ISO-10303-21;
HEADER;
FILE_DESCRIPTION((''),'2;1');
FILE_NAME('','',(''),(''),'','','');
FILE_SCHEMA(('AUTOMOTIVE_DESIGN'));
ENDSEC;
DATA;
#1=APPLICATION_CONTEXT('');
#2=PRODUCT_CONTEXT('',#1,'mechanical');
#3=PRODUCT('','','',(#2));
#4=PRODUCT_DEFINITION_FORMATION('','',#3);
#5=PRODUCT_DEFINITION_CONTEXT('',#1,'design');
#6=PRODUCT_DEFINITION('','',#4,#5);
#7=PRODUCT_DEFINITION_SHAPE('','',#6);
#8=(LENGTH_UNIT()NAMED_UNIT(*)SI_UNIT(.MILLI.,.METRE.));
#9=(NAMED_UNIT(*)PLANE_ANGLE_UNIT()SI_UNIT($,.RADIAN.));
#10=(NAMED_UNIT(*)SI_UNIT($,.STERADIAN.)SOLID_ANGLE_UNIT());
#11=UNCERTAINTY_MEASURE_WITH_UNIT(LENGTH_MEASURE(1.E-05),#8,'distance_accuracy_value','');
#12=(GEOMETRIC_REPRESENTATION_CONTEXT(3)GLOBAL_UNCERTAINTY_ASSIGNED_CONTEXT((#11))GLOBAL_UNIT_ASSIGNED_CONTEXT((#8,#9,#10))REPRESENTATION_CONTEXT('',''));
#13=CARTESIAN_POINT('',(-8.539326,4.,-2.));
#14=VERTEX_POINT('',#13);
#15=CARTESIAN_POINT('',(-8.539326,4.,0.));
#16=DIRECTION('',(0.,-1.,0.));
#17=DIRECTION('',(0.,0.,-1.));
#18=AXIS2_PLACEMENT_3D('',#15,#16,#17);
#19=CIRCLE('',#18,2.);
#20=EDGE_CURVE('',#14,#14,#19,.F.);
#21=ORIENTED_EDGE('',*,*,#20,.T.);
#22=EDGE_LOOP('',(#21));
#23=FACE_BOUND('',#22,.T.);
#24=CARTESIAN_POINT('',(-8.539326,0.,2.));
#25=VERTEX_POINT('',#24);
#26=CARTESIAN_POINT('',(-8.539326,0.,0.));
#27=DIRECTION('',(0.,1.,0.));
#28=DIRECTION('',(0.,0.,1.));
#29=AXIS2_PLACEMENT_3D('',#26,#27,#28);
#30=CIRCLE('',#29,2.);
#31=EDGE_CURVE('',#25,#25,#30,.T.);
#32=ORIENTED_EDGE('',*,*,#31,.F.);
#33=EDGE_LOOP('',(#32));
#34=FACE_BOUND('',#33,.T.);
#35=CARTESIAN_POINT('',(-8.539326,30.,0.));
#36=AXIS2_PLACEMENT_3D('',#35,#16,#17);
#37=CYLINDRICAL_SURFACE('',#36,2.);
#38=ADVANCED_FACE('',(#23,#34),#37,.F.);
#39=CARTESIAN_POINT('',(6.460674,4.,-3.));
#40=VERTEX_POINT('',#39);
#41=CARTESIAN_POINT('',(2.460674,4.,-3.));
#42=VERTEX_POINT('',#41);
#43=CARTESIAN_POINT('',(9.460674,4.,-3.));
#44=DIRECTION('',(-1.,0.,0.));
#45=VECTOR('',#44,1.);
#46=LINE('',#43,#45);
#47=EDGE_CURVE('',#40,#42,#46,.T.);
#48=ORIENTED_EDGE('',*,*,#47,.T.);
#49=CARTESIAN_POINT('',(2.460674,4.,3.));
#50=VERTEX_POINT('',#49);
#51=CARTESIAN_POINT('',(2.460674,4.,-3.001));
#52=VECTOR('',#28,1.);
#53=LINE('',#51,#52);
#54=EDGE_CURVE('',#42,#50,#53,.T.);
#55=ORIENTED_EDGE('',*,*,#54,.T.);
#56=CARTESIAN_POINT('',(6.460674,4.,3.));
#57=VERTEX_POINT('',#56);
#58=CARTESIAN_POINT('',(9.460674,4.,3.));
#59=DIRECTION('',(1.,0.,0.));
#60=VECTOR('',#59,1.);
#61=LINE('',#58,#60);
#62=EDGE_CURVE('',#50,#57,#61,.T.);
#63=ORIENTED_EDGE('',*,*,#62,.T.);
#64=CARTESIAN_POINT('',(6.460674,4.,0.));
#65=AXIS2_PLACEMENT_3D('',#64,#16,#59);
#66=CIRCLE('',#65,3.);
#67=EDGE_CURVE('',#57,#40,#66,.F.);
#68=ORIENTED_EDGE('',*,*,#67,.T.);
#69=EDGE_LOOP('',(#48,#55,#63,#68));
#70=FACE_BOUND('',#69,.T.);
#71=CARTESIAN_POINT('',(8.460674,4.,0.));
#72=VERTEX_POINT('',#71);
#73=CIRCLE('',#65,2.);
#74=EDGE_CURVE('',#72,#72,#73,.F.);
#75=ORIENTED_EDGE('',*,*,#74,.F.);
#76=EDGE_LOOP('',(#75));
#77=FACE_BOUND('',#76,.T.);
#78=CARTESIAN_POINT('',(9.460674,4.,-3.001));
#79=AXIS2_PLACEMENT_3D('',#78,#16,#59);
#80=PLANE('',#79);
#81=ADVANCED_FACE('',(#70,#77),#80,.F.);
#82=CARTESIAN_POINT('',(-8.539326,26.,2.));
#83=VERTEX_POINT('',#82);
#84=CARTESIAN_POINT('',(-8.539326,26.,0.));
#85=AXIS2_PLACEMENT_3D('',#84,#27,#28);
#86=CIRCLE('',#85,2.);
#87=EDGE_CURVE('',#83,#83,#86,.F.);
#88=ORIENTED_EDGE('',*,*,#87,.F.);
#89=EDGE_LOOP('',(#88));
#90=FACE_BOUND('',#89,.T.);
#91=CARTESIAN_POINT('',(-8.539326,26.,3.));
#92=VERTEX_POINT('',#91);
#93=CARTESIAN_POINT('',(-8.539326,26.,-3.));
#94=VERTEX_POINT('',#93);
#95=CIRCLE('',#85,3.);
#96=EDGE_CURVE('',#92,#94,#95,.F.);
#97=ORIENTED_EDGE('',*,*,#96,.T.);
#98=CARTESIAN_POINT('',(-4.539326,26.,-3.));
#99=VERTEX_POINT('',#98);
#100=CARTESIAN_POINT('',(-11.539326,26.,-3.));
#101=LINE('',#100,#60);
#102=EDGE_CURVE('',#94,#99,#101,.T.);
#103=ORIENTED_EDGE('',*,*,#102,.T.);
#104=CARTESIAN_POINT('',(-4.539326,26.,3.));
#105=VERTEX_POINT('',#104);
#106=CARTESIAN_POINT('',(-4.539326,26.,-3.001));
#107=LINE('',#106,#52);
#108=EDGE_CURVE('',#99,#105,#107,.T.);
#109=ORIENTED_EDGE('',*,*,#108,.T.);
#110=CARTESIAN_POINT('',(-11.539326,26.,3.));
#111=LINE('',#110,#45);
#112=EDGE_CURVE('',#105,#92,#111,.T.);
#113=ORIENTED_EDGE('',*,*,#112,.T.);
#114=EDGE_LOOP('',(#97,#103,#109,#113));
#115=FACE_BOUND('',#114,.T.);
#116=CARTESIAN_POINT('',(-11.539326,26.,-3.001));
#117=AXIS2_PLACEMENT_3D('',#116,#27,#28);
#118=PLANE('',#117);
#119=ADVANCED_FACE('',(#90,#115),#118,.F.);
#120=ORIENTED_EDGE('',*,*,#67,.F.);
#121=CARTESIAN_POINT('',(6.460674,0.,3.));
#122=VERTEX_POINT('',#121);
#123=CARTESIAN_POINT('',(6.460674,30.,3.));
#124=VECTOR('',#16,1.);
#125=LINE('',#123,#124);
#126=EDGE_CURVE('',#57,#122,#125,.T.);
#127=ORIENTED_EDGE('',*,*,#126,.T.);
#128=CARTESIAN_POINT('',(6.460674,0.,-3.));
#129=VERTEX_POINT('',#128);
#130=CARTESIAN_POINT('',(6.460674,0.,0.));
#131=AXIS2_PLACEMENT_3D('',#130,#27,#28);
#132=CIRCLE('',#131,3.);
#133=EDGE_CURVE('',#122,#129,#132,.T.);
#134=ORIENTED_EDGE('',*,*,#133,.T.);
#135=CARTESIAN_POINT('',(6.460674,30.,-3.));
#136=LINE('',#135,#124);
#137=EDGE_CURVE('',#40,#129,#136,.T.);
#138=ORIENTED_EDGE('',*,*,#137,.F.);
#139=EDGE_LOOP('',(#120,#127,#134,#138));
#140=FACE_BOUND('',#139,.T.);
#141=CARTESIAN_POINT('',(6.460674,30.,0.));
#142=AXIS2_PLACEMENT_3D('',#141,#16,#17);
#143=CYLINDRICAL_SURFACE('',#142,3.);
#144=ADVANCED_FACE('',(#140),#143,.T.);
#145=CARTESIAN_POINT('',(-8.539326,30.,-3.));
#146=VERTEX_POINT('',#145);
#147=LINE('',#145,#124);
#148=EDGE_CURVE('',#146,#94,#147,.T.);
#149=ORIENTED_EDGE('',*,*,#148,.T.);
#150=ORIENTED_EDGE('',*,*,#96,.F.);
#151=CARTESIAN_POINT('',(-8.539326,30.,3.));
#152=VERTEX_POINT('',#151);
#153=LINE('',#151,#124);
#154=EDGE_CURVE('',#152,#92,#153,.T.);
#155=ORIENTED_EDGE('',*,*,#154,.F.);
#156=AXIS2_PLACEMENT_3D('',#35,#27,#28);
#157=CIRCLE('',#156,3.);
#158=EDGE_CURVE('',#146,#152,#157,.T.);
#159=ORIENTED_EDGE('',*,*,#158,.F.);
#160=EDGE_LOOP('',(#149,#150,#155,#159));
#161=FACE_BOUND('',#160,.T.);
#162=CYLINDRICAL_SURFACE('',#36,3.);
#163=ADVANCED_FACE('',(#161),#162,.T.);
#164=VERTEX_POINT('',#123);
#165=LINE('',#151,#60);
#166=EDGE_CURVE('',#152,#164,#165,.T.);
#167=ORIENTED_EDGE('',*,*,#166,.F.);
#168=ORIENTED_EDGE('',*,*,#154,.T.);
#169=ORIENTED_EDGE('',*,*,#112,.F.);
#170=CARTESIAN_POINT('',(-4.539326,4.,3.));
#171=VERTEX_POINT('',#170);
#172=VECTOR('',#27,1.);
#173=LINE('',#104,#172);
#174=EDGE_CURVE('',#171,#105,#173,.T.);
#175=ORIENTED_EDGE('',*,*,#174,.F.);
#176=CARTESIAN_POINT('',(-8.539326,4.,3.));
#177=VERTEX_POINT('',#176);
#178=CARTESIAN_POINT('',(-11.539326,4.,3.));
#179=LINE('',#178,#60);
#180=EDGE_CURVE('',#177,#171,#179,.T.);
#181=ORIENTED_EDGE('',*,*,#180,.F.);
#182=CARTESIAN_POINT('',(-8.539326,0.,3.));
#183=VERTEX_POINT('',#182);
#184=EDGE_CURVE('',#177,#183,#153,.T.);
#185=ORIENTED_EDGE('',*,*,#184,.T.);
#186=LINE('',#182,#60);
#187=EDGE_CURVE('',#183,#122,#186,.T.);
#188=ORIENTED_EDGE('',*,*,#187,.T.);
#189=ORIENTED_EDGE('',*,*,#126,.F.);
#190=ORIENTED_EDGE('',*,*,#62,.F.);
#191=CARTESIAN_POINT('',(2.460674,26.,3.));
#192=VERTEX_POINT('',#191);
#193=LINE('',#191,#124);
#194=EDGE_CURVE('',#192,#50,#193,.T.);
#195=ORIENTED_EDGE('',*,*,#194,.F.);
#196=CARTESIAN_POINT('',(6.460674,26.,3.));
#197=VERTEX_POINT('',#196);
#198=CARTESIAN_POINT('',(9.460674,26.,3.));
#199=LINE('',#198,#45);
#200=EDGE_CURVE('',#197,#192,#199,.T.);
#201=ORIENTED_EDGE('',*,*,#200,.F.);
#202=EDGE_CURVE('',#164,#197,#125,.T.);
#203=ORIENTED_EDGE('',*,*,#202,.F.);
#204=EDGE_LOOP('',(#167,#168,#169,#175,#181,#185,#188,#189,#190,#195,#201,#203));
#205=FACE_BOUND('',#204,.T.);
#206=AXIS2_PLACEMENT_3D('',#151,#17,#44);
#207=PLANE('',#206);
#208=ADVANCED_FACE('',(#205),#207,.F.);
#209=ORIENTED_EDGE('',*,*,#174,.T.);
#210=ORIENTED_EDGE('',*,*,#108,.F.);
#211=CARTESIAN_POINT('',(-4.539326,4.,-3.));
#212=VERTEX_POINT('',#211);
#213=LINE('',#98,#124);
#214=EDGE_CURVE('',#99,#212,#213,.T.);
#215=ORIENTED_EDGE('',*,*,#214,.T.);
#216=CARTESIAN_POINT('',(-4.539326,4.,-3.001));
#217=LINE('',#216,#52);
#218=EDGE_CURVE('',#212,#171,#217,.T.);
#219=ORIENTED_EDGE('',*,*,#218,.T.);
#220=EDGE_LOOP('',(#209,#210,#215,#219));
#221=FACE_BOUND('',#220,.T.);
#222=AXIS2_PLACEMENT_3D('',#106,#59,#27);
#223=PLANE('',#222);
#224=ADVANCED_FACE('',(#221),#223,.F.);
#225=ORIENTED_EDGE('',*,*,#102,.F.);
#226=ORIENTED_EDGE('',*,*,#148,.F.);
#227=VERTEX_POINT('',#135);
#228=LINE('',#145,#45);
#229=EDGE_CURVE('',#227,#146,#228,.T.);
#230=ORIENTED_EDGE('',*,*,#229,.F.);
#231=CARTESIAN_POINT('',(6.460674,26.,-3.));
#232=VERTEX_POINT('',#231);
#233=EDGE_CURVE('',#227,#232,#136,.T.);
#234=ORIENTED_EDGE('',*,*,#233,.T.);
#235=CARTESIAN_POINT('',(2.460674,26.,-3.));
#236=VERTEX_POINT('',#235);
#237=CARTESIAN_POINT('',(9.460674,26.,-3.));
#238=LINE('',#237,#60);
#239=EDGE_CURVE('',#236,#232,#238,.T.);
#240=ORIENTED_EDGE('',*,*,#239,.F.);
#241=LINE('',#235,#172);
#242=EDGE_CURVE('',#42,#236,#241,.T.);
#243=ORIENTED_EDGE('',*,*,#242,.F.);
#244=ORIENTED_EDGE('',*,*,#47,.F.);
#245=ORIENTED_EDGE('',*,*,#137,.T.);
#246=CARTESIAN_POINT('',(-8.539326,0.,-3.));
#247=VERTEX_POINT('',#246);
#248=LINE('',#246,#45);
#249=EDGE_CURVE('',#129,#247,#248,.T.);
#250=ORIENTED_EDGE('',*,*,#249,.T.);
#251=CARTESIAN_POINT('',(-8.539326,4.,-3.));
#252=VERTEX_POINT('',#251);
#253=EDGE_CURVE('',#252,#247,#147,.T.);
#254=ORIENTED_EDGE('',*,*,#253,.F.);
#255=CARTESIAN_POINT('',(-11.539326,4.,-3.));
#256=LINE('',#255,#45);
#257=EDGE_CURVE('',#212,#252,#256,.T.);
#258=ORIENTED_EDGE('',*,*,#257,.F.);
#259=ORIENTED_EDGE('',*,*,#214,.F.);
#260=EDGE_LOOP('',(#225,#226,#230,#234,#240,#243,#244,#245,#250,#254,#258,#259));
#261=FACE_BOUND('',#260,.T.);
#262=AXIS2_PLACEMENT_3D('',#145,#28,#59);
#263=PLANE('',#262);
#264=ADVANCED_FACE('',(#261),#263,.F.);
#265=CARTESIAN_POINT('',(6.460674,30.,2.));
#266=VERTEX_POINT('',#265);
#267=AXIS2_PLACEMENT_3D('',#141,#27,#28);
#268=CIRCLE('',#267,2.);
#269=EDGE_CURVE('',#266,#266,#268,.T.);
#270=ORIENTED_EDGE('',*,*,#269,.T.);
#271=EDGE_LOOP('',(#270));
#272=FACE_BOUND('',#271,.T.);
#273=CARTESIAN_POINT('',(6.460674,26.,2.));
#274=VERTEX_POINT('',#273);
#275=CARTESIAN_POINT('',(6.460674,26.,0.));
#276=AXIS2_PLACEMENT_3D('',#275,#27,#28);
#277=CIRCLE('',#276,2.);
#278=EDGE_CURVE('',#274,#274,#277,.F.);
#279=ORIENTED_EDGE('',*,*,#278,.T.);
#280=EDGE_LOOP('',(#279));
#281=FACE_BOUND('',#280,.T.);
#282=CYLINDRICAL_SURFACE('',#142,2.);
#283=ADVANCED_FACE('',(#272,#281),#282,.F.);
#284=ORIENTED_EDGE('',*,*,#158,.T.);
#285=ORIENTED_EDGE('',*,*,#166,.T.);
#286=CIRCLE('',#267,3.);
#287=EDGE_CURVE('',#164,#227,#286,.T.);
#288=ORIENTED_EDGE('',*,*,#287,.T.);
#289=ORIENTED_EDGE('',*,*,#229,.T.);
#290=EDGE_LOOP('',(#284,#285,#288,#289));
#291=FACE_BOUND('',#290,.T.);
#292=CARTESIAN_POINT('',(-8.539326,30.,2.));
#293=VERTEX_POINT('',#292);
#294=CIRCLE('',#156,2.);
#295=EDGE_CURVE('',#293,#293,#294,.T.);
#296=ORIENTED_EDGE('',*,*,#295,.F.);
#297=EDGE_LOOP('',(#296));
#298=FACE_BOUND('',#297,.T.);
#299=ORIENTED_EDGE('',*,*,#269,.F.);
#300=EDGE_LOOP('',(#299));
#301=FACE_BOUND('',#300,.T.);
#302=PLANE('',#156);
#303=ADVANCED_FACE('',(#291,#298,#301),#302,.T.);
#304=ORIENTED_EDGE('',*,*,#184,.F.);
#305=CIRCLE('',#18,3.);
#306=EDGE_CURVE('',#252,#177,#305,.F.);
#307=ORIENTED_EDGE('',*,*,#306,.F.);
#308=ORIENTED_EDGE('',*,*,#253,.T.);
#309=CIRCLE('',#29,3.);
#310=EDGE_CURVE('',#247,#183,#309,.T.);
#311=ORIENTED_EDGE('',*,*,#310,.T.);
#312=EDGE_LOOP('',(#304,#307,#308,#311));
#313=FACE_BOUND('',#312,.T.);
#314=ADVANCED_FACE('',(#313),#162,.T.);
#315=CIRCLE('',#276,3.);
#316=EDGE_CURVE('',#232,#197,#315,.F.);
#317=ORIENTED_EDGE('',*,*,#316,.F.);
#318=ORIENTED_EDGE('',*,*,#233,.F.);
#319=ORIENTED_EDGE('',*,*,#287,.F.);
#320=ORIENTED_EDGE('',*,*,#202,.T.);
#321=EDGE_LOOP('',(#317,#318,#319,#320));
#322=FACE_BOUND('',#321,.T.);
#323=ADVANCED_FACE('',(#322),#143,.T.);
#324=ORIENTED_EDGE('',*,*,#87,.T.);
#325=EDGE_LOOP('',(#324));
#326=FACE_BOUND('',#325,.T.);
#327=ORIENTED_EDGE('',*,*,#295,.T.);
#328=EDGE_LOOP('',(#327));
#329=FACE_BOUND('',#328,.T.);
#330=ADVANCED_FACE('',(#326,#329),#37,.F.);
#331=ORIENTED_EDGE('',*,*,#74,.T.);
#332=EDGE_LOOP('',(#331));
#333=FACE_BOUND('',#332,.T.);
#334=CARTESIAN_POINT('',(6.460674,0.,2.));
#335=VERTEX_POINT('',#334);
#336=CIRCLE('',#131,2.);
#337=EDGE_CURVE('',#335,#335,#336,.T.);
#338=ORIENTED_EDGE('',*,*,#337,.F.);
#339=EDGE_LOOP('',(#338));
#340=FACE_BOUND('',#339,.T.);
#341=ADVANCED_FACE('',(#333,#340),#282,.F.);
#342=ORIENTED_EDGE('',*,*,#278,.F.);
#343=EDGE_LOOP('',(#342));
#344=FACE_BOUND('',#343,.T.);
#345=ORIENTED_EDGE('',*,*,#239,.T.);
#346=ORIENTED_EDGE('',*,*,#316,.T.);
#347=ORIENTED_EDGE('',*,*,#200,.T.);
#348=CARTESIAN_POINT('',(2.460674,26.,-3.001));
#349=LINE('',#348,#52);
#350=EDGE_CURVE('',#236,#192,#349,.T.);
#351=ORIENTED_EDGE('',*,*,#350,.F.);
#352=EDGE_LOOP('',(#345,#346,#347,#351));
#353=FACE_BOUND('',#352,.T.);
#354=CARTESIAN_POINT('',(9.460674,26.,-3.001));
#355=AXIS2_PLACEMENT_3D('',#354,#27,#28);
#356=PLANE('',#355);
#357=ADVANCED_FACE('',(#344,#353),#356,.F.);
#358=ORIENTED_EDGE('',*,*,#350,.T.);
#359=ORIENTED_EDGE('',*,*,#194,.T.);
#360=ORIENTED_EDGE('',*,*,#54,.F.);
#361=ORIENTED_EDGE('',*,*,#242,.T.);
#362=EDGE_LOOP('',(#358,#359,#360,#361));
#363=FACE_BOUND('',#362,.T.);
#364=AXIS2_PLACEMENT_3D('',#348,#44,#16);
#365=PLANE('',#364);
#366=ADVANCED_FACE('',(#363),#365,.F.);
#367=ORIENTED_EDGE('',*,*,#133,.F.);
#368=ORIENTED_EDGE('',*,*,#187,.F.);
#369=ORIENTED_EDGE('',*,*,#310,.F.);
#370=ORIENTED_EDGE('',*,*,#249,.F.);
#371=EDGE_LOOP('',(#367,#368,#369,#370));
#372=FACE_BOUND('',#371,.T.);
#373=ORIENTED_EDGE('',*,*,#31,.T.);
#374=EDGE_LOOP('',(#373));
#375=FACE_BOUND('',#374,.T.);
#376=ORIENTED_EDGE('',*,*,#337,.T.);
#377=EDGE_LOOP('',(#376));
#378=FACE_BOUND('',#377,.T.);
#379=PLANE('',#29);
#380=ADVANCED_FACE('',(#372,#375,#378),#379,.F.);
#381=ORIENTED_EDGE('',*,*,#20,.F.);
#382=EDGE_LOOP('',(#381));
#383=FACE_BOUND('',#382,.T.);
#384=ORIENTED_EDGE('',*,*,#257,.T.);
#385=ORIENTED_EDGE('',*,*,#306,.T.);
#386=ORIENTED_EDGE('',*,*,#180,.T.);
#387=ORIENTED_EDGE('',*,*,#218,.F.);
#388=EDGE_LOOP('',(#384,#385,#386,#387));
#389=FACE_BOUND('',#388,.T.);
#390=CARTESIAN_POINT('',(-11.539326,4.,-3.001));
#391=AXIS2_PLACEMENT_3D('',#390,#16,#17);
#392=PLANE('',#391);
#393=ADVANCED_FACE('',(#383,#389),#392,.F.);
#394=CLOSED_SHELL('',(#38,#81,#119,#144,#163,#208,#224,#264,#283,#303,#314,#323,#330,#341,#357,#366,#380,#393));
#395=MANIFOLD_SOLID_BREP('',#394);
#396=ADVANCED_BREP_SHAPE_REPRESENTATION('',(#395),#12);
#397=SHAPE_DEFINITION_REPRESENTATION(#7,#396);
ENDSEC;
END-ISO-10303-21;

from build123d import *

# Parameters (mm, degrees)
SKETCH1_R           = 2
BOSS_EXTRUDE1_DEPTH = 30
CUT_EXTRUDE1_REACH  = 8
SKETCH3_W           = 7
SKETCH3_H           = 22


with BuildPart() as part:
    # Sketch1 → Boss-Extrude1 (new body)
    with BuildSketch(Plane(origin=(0, 0, 0), x_dir=(1, 0, 0), z_dir=(0, 1, 0))):
        with BuildLine():
            Line((-8.539325843, 3), (6.460674157, 3))
            ThreePointArc((6.460674157, 3), (9.460674157, 0), (6.460674157, -3))
            Line((6.460674157, -3), (-8.539325843, -3))
            ThreePointArc((-8.539325843, -3), (-11.539325843, 0), (-8.539325843, 3))
        make_face()
        with Locations((-8.539325843, 0)):
            Circle(SKETCH1_R, mode=Mode.SUBTRACT)
        with Locations((6.460674157, 0)):
            Circle(SKETCH1_R, mode=Mode.SUBTRACT)
    extrude(amount=BOSS_EXTRUDE1_DEPTH)

    # Sketch3 → Cut-Extrude1 (cut, up to next)
    with BuildSketch(Plane.XY.offset(3), mode=Mode.PRIVATE) as cut_extrude1_sk1:
        with Locations((5.960674157, 15)):
            Rectangle(SKETCH3_W, SKETCH3_H)
    cut_extrude1_tool1 = extrude(cut_extrude1_sk1.sketch, amount=-CUT_EXTRUDE1_REACH, mode=Mode.PRIVATE) & part.part
    add(cut_extrude1_tool1.solids().sort_by_distance((5.960674, 15, 3))[0], mode=Mode.SUBTRACT)
    # Sketch3 → Cut-Extrude1 (cut, up to next)
    with BuildSketch(Plane.XY.offset(3), mode=Mode.PRIVATE) as cut_extrude1_sk2:
        with Locations((-8.039325843, 15)):
            Rectangle(SKETCH3_W, SKETCH3_H)
    cut_extrude1_tool2 = extrude(cut_extrude1_sk2.sketch, amount=-CUT_EXTRUDE1_REACH, mode=Mode.PRIVATE) & part.part
    add(cut_extrude1_tool2.solids().sort_by_distance((-8.039326, 15, 3))[0], mode=Mode.SUBTRACT)


solid = part.part
